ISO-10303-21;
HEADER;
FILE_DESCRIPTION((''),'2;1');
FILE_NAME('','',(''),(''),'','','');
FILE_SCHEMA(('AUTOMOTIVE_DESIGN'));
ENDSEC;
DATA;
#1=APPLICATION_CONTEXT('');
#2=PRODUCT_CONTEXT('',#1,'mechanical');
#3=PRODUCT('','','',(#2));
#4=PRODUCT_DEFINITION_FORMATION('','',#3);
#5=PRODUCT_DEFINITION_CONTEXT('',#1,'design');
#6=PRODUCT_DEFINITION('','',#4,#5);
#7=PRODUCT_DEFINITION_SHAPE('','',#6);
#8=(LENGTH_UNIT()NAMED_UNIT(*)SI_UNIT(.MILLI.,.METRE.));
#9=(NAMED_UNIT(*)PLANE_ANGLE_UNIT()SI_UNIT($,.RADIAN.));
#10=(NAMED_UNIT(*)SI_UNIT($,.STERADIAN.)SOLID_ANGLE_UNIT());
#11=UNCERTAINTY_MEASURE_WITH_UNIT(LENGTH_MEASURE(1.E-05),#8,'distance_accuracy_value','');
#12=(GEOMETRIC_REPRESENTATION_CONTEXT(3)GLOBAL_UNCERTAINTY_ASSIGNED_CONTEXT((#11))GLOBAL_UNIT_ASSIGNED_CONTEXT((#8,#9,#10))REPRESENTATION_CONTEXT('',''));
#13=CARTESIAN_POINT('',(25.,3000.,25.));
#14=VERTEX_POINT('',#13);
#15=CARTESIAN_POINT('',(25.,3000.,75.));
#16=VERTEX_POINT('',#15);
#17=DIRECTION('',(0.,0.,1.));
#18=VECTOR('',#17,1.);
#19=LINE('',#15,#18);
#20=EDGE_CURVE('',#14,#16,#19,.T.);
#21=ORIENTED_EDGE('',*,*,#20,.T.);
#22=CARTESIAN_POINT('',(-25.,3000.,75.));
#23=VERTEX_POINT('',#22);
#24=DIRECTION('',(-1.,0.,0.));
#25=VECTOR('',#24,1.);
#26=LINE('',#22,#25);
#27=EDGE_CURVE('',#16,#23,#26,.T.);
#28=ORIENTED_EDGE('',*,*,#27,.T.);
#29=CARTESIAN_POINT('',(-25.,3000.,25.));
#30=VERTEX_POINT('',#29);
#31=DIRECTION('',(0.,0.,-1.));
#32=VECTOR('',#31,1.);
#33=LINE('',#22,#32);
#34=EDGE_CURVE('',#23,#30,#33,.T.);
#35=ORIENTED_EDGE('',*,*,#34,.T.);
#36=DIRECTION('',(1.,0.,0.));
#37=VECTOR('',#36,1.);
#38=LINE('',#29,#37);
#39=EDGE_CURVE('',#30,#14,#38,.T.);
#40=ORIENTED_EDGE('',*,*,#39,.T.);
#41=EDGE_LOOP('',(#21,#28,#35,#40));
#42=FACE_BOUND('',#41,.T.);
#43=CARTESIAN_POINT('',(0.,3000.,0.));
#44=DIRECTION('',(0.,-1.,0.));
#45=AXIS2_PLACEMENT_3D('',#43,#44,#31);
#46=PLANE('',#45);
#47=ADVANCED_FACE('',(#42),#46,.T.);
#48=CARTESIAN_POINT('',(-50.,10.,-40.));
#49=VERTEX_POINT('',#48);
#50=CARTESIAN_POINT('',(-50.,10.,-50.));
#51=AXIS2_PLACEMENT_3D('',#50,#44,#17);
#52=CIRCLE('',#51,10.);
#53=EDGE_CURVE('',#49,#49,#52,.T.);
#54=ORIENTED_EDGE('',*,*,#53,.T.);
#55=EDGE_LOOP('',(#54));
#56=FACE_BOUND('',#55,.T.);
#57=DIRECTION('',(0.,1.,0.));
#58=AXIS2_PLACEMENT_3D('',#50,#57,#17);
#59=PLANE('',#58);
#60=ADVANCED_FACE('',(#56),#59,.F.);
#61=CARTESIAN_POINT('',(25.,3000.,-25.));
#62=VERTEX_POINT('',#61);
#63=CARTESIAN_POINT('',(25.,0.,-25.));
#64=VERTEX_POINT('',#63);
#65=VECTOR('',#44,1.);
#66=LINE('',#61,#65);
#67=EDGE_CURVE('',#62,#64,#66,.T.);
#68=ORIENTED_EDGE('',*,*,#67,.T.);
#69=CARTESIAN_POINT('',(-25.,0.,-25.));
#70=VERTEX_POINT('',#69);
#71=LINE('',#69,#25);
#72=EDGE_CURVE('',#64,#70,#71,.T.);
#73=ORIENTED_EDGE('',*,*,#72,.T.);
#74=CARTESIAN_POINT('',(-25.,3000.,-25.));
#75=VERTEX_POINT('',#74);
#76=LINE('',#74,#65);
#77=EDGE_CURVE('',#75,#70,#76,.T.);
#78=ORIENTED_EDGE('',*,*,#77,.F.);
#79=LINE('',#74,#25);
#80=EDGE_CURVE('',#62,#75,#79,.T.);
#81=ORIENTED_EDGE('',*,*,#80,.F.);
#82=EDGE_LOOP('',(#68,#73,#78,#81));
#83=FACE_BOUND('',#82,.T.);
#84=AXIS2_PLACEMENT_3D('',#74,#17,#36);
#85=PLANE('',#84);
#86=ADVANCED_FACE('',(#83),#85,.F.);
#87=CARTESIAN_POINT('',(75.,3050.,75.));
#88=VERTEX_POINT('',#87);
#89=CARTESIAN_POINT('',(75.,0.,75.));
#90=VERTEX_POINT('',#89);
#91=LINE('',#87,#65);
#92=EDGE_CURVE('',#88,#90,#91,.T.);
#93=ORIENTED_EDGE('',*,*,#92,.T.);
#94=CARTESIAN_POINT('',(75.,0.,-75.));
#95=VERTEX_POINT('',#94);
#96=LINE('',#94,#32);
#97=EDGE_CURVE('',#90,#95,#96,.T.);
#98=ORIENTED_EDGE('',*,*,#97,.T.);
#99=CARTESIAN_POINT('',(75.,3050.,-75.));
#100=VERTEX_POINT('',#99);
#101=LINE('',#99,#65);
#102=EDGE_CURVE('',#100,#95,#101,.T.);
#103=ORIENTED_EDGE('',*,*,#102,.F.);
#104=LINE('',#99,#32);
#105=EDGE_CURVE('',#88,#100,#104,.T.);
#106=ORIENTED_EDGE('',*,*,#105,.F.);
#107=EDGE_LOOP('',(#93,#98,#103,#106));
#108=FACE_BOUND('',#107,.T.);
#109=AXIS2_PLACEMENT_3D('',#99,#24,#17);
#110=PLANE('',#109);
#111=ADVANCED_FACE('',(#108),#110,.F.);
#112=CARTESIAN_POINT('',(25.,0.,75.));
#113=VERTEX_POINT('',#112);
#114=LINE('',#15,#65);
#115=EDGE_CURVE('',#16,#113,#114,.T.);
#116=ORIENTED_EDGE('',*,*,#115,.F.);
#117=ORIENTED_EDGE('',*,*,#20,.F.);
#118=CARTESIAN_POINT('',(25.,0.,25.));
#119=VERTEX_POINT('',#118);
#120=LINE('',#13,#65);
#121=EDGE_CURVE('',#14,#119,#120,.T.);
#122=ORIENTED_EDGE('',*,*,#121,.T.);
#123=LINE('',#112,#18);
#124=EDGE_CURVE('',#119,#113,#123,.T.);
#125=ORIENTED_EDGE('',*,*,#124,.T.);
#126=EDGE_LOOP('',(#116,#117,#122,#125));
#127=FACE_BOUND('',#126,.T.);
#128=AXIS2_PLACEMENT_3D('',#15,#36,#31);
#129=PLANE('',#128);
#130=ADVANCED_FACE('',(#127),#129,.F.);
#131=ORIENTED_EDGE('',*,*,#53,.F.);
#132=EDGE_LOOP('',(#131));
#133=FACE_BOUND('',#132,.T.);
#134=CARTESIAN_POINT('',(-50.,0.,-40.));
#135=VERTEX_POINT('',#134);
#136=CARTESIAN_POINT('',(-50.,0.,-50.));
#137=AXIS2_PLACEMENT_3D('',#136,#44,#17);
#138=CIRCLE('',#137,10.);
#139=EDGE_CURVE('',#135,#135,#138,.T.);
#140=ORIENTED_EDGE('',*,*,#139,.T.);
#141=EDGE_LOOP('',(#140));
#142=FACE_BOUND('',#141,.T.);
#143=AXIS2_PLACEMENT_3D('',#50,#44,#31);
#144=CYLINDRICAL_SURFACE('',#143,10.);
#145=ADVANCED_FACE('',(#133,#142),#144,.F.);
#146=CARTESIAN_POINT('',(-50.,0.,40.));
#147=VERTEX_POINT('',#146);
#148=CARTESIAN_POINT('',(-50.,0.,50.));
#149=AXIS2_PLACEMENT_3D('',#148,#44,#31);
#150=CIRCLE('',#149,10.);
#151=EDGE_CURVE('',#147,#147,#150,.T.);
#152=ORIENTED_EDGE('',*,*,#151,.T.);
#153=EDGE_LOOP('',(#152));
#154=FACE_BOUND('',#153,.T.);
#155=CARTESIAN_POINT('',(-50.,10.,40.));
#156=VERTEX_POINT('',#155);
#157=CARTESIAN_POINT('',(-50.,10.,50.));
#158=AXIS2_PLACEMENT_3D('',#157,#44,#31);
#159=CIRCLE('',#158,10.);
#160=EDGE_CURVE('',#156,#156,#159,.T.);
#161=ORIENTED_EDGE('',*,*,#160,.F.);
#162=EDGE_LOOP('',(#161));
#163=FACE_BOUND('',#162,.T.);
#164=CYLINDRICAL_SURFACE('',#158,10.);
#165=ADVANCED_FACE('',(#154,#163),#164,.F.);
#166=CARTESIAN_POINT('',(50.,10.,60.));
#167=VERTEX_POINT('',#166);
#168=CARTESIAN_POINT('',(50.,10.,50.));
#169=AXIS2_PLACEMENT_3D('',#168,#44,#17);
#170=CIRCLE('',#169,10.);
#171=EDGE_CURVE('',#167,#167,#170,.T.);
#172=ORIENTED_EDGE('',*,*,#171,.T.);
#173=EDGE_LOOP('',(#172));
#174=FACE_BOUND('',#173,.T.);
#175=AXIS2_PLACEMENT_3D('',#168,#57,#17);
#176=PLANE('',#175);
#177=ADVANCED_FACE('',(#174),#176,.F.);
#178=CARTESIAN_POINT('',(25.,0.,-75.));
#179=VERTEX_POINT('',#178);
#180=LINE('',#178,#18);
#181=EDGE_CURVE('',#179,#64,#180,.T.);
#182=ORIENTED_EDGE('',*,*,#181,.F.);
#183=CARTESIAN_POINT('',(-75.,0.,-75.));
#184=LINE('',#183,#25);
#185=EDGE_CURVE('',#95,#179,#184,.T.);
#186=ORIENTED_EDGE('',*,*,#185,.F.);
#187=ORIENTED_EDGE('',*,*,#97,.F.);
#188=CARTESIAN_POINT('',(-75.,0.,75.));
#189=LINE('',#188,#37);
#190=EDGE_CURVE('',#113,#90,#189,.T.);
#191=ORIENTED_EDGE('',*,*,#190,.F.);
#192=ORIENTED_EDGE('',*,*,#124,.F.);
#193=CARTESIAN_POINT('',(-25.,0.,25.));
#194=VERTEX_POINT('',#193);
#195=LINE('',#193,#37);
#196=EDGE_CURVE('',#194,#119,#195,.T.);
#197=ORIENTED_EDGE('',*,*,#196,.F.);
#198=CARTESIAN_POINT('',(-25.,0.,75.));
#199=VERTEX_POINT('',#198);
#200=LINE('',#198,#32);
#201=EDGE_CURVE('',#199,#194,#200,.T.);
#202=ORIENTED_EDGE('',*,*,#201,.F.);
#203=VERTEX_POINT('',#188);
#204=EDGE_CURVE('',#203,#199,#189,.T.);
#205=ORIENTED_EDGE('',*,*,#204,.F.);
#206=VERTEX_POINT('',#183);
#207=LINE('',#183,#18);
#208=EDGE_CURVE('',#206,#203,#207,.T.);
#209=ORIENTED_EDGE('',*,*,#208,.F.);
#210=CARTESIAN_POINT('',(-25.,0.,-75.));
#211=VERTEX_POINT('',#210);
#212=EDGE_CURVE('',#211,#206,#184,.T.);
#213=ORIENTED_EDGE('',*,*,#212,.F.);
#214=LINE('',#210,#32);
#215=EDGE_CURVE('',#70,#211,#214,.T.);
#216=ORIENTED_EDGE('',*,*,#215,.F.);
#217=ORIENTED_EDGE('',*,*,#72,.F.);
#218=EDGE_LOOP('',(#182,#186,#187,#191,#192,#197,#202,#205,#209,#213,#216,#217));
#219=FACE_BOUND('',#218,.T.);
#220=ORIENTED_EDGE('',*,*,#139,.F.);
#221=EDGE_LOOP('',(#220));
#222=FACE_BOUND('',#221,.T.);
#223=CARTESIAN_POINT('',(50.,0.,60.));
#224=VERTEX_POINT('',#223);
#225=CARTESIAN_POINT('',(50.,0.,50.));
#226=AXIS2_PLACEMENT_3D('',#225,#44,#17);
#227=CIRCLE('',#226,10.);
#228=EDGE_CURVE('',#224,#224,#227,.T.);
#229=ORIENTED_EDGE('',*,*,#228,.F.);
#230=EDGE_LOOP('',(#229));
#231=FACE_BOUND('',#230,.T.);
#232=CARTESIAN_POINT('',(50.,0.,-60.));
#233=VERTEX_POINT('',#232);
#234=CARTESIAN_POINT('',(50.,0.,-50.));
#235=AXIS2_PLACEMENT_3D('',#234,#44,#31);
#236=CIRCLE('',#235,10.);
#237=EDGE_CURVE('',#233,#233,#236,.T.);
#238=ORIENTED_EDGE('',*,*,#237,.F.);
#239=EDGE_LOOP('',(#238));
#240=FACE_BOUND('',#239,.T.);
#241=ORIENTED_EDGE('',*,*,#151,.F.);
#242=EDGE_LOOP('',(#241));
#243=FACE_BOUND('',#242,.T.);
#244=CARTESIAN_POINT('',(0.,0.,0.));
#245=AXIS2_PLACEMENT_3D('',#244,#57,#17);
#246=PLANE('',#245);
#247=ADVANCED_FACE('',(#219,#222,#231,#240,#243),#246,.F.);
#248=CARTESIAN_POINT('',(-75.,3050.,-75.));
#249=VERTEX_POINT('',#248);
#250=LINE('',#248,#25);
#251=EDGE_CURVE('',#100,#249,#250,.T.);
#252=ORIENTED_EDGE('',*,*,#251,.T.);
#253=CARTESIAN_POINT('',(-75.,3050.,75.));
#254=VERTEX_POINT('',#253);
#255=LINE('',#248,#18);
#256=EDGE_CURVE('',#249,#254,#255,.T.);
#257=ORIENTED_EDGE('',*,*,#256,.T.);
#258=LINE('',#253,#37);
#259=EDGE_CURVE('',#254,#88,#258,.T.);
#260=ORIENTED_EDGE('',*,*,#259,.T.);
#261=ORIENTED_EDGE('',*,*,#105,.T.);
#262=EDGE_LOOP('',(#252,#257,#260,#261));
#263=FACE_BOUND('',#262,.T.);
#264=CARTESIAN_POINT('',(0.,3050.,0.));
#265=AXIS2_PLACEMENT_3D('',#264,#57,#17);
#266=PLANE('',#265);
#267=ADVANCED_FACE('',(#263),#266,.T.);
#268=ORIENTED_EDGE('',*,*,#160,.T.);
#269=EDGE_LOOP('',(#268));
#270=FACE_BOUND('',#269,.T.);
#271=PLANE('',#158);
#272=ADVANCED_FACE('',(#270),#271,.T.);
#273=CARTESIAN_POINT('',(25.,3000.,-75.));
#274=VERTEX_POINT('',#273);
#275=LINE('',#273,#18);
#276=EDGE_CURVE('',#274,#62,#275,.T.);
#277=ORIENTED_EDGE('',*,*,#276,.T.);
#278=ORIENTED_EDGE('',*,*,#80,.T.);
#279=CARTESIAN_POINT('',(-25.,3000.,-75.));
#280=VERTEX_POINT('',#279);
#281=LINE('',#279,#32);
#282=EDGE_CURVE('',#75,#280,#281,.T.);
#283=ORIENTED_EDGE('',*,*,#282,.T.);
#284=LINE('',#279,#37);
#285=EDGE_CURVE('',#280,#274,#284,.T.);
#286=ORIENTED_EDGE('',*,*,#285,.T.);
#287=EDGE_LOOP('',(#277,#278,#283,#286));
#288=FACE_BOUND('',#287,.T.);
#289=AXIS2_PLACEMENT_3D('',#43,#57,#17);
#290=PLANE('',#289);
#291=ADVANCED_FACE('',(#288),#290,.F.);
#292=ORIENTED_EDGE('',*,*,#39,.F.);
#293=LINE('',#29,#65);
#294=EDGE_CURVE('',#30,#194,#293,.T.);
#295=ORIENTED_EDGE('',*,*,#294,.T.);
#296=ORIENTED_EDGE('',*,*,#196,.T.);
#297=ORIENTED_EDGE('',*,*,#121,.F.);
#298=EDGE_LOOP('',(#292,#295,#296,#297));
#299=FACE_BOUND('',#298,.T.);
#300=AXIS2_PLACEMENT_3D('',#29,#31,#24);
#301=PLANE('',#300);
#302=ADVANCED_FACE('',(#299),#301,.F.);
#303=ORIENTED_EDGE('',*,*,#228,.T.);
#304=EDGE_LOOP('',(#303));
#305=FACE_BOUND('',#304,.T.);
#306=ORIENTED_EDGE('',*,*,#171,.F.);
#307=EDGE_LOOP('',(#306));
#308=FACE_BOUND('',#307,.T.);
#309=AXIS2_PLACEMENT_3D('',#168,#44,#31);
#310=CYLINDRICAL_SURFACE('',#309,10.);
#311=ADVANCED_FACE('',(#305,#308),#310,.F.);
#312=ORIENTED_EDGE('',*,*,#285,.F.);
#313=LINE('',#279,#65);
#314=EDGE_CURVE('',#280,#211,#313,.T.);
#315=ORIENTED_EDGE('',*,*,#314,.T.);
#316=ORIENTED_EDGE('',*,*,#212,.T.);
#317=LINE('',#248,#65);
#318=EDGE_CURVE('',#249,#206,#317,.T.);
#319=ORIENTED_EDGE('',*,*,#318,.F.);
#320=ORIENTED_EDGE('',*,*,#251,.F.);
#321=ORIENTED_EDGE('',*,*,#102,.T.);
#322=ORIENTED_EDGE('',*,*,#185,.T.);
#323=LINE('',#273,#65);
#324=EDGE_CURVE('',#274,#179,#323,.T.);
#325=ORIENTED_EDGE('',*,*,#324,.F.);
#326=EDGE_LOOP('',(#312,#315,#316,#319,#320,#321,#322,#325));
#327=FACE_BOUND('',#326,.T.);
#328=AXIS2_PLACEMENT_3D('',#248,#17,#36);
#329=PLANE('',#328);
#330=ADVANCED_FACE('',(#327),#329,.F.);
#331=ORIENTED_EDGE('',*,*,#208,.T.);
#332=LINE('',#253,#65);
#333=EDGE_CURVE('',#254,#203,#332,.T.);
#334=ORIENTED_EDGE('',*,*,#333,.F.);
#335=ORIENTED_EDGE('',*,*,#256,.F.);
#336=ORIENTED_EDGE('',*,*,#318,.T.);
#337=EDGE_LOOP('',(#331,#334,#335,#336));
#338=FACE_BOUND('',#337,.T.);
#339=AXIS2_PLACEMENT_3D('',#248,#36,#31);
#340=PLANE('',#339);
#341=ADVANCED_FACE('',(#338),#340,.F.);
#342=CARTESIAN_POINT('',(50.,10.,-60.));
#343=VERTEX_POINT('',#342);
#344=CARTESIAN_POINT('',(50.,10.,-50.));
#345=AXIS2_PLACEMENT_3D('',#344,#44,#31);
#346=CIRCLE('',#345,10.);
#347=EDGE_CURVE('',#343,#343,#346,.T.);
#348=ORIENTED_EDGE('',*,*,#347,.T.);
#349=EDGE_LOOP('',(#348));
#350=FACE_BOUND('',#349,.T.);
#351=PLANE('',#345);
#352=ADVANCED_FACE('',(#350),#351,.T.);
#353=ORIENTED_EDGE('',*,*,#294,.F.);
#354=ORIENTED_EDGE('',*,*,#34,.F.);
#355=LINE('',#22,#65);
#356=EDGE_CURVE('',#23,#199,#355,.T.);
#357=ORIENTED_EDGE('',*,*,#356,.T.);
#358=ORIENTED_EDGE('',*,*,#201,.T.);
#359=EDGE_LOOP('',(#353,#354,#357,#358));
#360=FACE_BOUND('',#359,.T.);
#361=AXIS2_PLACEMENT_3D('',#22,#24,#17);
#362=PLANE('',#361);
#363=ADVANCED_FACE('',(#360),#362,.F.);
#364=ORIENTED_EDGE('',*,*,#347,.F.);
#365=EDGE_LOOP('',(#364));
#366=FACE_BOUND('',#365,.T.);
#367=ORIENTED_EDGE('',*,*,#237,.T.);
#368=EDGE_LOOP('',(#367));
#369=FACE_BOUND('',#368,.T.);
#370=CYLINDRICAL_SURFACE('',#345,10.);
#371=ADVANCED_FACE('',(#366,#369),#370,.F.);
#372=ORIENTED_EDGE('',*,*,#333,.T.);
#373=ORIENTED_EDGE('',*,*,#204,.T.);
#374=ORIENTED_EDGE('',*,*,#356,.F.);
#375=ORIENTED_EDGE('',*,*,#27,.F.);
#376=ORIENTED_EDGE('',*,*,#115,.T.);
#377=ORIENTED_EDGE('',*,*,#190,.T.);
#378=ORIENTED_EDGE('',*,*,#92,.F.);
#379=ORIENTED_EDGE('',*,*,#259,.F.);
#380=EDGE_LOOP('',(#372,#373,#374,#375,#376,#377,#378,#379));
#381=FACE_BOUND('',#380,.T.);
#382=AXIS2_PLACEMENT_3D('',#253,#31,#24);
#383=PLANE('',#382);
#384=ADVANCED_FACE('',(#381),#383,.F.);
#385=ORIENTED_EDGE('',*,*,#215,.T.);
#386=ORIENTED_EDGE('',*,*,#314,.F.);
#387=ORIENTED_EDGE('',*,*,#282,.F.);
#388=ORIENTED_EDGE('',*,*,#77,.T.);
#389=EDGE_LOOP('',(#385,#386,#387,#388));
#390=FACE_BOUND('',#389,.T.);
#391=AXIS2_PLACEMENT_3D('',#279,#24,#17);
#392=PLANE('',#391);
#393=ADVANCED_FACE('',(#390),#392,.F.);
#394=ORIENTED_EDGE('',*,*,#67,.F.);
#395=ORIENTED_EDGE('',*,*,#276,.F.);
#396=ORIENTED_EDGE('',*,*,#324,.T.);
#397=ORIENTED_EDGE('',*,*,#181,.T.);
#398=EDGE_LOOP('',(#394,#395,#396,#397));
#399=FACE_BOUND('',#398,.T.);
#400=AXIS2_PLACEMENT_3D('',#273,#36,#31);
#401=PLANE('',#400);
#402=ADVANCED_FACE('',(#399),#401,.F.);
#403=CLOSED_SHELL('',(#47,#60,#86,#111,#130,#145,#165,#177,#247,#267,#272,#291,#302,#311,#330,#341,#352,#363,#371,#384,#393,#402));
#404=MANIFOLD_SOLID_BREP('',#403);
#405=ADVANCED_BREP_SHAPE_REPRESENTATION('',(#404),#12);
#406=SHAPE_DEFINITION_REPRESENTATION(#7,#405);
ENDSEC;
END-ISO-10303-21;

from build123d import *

# Parameters (mm, degrees)
SKETCH1_W           = 150
SKETCH1_H           = 150
BOSS_EXTRUDE1_DEPTH = 3050
SKETCH2_W           = 50
SKETCH2_H           = 50
CUT_EXTRUDE1_DEPTH  = 3000
SKETCH3_R           = 10
CUT_EXTRUDE2_DEPTH  = 10


with BuildPart() as part:
    # Sketch1 → Boss-Extrude1 (new body)
    with BuildSketch(Plane(origin=(0, 0, 0), x_dir=(1, 0, 0), z_dir=(0, 1, 0))):
        Rectangle(SKETCH1_W, SKETCH1_H)
    extrude(amount=BOSS_EXTRUDE1_DEPTH)

    # Sketch2 → Cut-Extrude1 (cut)
    with BuildSketch(Plane.XZ):
        with Locations((0, 50)):
            Rectangle(SKETCH2_W, SKETCH2_H)
        with Locations((0, -50)):
            Rectangle(SKETCH2_W, SKETCH2_H)
    extrude(amount=-CUT_EXTRUDE1_DEPTH, mode=Mode.SUBTRACT)

    # Sketch3 → Cut-Extrude2 (cut)
    with BuildSketch(Plane.XZ):
        with Locations(Location((-50, 50, 0), (0, 0, 270))):
            Circle(SKETCH3_R)
        with Locations(Location((50, 50, 0), (0, 0, 90))):
            Circle(SKETCH3_R)
        with Locations(Location((50, -50, 0), (0, 0, 270))):
            Circle(SKETCH3_R)
        with Locations(Location((-50, -50, 0), (0, 0, 90))):
            Circle(SKETCH3_R)
    extrude(amount=-CUT_EXTRUDE2_DEPTH, mode=Mode.SUBTRACT)


solid = part.part
